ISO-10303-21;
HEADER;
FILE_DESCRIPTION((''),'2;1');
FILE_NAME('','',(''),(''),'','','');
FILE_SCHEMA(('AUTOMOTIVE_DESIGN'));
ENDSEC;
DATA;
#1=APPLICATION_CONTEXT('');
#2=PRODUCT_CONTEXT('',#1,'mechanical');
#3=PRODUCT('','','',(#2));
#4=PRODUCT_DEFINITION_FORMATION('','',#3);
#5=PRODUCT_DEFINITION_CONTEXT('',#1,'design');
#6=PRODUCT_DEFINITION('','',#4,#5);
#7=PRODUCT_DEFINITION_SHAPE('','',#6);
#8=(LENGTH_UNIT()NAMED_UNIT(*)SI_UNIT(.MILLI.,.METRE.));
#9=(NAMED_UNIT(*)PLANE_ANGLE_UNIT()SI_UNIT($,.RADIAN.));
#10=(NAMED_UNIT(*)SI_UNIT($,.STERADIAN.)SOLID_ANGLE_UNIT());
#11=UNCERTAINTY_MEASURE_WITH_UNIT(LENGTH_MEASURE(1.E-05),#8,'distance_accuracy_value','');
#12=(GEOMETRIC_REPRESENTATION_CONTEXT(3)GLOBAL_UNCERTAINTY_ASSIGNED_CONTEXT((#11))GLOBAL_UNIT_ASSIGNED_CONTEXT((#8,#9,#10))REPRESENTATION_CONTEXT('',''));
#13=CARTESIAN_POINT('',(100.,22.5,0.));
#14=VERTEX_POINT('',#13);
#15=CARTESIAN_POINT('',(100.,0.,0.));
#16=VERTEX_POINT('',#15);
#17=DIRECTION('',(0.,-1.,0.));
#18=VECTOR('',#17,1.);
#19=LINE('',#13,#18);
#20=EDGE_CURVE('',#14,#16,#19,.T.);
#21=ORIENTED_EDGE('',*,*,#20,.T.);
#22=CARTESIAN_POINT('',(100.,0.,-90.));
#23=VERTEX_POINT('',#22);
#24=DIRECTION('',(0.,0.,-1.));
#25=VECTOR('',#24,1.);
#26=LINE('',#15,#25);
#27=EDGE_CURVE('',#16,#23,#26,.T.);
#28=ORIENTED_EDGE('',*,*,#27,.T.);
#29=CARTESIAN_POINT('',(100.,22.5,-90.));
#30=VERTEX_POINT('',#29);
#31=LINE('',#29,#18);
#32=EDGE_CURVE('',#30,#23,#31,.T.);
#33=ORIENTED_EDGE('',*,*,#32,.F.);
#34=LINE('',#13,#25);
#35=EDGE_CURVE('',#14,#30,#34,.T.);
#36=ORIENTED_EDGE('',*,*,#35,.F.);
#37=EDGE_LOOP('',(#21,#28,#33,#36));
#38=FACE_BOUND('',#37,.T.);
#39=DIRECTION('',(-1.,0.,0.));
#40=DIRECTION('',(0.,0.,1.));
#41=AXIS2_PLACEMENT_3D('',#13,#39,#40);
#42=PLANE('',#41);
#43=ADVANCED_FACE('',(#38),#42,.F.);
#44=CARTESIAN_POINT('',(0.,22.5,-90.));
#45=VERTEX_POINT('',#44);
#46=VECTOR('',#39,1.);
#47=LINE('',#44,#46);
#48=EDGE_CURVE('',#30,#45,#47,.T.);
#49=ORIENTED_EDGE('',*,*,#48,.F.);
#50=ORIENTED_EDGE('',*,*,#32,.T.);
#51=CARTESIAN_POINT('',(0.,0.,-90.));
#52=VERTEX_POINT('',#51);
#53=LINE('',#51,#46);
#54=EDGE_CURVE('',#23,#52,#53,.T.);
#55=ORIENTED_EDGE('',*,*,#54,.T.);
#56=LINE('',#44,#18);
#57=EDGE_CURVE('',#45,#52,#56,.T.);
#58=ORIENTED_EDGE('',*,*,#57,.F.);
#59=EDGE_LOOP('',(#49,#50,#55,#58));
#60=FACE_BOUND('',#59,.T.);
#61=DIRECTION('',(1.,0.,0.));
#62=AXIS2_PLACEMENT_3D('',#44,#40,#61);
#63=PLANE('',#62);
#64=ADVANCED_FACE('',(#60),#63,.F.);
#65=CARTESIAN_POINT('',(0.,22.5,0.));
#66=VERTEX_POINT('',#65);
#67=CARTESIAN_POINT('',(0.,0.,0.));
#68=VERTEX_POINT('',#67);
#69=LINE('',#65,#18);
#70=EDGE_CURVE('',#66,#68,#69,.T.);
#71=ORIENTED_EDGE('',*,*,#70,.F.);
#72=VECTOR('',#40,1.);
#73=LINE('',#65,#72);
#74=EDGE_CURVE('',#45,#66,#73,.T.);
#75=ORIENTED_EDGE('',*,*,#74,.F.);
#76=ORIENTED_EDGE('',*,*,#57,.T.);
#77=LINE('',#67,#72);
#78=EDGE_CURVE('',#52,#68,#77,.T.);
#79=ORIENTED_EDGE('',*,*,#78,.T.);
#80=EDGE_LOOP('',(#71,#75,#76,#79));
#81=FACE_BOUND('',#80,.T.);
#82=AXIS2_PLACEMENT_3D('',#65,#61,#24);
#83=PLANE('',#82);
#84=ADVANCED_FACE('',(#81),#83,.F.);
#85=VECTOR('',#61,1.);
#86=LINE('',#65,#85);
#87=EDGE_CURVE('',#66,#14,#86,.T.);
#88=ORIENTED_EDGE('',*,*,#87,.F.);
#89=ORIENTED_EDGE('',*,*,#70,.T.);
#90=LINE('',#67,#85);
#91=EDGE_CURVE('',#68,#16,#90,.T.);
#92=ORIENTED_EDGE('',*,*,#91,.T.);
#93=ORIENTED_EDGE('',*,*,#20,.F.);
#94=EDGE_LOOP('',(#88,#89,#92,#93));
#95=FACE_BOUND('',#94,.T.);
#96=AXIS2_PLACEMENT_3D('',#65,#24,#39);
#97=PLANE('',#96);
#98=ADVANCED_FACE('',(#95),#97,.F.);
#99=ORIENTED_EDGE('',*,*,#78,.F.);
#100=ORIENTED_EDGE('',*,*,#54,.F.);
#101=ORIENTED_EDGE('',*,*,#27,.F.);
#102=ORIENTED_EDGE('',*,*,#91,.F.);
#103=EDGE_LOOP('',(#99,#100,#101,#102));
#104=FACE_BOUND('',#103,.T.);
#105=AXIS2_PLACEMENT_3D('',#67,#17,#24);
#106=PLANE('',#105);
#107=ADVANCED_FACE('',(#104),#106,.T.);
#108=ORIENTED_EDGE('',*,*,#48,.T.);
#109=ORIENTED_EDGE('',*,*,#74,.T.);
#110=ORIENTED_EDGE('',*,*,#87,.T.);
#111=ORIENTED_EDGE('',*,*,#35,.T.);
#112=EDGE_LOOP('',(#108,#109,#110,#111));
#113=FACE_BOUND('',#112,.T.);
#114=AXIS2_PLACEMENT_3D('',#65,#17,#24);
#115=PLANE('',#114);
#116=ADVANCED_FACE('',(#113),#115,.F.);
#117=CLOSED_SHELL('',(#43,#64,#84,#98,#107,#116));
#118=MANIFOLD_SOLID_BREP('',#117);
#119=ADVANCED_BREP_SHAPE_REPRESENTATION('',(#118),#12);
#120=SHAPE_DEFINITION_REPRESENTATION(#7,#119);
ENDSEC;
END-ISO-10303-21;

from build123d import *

# Parameters (mm, degrees)
SKETCH1_W           = 100
SKETCH1_H           = 90
BOSS_EXTRUDE1_DEPTH = 22.5


with BuildPart() as part:
    # Sketch1 → Boss-Extrude1 (new body)
    with BuildSketch(Plane(origin=(0, 0, 0), x_dir=(1, 0, 0), z_dir=(0, 1, 0))):
        with Locations((50, 45)):
            Rectangle(SKETCH1_W, SKETCH1_H)
    extrude(amount=BOSS_EXTRUDE1_DEPTH)


solid = part.part
